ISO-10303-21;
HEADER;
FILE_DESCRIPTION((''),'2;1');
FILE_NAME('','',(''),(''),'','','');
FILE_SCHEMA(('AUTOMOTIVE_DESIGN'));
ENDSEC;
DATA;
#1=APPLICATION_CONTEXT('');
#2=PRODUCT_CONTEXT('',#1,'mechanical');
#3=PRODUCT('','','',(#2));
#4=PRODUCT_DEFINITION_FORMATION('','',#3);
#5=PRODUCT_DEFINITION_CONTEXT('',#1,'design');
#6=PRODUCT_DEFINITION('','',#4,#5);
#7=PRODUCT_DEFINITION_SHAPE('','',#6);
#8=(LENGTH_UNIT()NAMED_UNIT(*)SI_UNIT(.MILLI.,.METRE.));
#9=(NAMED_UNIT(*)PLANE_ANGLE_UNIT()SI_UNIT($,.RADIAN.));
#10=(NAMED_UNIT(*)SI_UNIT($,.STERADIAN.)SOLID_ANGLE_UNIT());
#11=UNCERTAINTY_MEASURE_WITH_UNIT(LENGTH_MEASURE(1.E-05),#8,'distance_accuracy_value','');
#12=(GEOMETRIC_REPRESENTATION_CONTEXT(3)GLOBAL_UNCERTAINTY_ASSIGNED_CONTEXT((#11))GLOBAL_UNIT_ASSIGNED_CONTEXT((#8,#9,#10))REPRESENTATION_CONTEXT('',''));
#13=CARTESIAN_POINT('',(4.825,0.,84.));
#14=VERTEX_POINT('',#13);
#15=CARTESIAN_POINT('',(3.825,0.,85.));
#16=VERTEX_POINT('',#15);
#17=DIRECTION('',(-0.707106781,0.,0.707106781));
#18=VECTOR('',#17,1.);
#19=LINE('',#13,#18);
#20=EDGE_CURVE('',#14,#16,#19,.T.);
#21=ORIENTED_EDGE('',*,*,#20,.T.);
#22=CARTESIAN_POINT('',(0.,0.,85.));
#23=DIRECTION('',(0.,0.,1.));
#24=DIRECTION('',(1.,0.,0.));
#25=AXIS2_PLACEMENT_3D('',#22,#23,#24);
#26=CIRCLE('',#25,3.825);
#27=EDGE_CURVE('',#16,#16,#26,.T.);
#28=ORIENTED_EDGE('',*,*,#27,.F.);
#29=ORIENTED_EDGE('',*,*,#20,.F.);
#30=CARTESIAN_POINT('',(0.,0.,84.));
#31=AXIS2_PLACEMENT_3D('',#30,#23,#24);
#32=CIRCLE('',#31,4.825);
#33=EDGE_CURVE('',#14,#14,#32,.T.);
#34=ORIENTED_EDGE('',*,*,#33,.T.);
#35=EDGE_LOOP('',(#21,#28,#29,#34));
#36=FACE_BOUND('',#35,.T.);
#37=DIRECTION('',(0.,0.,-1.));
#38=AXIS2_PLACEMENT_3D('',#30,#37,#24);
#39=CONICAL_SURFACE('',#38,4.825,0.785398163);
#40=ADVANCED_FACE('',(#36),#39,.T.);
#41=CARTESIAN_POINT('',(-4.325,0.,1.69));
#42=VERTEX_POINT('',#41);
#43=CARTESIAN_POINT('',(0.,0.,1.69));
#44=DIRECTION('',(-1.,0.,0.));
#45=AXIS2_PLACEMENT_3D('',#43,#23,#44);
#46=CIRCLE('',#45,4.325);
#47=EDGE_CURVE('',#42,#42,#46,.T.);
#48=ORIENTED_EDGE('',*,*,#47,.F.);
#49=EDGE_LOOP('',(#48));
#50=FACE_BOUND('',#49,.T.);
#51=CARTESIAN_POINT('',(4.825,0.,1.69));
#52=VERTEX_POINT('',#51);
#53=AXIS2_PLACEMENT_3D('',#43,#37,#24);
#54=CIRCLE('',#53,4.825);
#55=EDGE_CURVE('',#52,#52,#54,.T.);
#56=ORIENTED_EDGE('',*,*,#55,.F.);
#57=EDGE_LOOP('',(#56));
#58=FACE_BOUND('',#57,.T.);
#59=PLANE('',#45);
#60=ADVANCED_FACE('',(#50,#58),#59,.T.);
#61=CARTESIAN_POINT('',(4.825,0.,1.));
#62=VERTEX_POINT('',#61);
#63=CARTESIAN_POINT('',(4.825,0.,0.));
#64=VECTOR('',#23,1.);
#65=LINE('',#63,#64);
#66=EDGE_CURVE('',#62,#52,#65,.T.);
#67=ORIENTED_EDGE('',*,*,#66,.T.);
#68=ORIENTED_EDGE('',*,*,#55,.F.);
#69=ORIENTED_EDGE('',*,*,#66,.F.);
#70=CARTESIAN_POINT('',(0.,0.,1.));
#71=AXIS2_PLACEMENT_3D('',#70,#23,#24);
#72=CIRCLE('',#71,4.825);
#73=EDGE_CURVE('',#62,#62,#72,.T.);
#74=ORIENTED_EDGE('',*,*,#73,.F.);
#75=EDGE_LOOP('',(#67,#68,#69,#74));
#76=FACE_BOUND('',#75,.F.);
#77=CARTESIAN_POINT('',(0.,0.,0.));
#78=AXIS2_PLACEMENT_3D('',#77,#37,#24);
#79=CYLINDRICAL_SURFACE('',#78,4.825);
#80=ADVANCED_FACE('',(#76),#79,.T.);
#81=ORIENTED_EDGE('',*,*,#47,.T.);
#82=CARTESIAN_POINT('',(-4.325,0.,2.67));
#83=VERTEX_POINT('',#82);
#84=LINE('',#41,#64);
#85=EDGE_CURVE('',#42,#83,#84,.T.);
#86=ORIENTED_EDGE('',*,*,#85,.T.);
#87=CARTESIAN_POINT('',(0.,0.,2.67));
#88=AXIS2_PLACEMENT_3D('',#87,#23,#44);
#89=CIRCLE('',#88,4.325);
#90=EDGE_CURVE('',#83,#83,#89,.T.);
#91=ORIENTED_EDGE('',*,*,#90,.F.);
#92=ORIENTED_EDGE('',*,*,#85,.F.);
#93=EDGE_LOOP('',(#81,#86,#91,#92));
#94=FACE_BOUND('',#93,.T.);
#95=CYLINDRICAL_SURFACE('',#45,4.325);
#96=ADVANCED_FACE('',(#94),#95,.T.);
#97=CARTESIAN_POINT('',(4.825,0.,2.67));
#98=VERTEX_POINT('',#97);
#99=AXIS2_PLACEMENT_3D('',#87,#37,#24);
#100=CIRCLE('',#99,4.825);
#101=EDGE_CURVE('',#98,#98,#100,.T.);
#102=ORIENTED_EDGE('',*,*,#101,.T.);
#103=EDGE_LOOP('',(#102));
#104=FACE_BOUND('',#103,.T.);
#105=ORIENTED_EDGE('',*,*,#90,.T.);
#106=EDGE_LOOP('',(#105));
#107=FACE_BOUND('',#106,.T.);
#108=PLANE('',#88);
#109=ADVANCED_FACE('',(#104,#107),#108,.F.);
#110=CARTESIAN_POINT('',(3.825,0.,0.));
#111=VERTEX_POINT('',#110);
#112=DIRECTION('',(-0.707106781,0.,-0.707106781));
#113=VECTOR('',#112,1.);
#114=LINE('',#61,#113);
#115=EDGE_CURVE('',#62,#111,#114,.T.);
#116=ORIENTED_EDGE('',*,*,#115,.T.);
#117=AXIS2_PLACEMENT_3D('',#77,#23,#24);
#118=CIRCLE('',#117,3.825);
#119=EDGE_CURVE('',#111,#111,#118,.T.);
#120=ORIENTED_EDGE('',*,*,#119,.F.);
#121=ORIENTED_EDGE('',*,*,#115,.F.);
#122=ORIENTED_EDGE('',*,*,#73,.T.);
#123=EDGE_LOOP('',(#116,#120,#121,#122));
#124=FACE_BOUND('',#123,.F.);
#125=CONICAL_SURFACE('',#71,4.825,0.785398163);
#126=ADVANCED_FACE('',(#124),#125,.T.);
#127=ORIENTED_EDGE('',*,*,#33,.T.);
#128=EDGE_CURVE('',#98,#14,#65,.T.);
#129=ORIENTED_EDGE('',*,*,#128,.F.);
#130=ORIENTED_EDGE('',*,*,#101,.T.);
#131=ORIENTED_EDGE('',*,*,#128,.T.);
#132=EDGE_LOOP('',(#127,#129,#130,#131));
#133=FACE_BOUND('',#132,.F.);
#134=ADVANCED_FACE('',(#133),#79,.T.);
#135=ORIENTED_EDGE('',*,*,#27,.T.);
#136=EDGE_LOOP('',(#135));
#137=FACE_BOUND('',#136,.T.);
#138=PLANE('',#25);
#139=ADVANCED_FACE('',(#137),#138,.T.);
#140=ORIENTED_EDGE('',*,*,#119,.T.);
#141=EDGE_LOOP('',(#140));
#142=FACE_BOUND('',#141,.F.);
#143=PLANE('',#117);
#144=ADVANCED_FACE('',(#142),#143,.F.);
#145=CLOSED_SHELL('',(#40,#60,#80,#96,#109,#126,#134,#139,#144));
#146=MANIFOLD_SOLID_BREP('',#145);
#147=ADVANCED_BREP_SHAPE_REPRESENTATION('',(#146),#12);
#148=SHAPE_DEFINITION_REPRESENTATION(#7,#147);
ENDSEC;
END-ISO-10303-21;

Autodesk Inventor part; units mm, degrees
ref_plane "YZ Plane" through (0, 0, 0) normal (1, 0, 0) x (0, 1, 0)
ref_plane "XZ Plane" through (0, 0, 0) normal (0, 1, 0) x (-1, 0, 0)
ref_plane "XY Plane" through (0, 0, 0) normal (0, 0, 1) x (1, 0, 0)
sketch "Sketch1" plane through (0, 0, 0) normal (0, 0, 1) x (1, 0, 0)
  circle A0 centre (0, 0) radius 4.825
  dimension "d0" = 9.65
extrude "Extrusion1" add sketch "Sketch1" along normal blind 85
chamfer "Chamfer1" distance 1 angle 45 2 edges at (-4.825, 0, 85) (-4.825, 0, 0)
sketch "Sketch2" plane through (0, 0, 0) normal (0, 1, 0) x (-1, 0, 0)
  line L0 (4.825, 1) -> (4.825, 84) projected
  line L1 (4.825, 1.69) -> (4.325, 1.69)
  line L2 (4.325, 1.69) -> (4.325, 2.67)
  line L3 (4.325, 2.67) -> (4.825, 2.67)
  line L4 (4.825, 2.67) -> (4.825, 1.69)
  line L5 (0, -17) -> (0, 102) projected
  point P0 (0, 0)
  dimension "d6" = 0.5
  dimension "d7" = 0.98
  dimension "d8" = 0.69
revolve "Revolution1" cut sketch "Sketch2" angle 360 about axis through (0, 0, -10) along (0, 0, 1)
properties part number "Shaft"
